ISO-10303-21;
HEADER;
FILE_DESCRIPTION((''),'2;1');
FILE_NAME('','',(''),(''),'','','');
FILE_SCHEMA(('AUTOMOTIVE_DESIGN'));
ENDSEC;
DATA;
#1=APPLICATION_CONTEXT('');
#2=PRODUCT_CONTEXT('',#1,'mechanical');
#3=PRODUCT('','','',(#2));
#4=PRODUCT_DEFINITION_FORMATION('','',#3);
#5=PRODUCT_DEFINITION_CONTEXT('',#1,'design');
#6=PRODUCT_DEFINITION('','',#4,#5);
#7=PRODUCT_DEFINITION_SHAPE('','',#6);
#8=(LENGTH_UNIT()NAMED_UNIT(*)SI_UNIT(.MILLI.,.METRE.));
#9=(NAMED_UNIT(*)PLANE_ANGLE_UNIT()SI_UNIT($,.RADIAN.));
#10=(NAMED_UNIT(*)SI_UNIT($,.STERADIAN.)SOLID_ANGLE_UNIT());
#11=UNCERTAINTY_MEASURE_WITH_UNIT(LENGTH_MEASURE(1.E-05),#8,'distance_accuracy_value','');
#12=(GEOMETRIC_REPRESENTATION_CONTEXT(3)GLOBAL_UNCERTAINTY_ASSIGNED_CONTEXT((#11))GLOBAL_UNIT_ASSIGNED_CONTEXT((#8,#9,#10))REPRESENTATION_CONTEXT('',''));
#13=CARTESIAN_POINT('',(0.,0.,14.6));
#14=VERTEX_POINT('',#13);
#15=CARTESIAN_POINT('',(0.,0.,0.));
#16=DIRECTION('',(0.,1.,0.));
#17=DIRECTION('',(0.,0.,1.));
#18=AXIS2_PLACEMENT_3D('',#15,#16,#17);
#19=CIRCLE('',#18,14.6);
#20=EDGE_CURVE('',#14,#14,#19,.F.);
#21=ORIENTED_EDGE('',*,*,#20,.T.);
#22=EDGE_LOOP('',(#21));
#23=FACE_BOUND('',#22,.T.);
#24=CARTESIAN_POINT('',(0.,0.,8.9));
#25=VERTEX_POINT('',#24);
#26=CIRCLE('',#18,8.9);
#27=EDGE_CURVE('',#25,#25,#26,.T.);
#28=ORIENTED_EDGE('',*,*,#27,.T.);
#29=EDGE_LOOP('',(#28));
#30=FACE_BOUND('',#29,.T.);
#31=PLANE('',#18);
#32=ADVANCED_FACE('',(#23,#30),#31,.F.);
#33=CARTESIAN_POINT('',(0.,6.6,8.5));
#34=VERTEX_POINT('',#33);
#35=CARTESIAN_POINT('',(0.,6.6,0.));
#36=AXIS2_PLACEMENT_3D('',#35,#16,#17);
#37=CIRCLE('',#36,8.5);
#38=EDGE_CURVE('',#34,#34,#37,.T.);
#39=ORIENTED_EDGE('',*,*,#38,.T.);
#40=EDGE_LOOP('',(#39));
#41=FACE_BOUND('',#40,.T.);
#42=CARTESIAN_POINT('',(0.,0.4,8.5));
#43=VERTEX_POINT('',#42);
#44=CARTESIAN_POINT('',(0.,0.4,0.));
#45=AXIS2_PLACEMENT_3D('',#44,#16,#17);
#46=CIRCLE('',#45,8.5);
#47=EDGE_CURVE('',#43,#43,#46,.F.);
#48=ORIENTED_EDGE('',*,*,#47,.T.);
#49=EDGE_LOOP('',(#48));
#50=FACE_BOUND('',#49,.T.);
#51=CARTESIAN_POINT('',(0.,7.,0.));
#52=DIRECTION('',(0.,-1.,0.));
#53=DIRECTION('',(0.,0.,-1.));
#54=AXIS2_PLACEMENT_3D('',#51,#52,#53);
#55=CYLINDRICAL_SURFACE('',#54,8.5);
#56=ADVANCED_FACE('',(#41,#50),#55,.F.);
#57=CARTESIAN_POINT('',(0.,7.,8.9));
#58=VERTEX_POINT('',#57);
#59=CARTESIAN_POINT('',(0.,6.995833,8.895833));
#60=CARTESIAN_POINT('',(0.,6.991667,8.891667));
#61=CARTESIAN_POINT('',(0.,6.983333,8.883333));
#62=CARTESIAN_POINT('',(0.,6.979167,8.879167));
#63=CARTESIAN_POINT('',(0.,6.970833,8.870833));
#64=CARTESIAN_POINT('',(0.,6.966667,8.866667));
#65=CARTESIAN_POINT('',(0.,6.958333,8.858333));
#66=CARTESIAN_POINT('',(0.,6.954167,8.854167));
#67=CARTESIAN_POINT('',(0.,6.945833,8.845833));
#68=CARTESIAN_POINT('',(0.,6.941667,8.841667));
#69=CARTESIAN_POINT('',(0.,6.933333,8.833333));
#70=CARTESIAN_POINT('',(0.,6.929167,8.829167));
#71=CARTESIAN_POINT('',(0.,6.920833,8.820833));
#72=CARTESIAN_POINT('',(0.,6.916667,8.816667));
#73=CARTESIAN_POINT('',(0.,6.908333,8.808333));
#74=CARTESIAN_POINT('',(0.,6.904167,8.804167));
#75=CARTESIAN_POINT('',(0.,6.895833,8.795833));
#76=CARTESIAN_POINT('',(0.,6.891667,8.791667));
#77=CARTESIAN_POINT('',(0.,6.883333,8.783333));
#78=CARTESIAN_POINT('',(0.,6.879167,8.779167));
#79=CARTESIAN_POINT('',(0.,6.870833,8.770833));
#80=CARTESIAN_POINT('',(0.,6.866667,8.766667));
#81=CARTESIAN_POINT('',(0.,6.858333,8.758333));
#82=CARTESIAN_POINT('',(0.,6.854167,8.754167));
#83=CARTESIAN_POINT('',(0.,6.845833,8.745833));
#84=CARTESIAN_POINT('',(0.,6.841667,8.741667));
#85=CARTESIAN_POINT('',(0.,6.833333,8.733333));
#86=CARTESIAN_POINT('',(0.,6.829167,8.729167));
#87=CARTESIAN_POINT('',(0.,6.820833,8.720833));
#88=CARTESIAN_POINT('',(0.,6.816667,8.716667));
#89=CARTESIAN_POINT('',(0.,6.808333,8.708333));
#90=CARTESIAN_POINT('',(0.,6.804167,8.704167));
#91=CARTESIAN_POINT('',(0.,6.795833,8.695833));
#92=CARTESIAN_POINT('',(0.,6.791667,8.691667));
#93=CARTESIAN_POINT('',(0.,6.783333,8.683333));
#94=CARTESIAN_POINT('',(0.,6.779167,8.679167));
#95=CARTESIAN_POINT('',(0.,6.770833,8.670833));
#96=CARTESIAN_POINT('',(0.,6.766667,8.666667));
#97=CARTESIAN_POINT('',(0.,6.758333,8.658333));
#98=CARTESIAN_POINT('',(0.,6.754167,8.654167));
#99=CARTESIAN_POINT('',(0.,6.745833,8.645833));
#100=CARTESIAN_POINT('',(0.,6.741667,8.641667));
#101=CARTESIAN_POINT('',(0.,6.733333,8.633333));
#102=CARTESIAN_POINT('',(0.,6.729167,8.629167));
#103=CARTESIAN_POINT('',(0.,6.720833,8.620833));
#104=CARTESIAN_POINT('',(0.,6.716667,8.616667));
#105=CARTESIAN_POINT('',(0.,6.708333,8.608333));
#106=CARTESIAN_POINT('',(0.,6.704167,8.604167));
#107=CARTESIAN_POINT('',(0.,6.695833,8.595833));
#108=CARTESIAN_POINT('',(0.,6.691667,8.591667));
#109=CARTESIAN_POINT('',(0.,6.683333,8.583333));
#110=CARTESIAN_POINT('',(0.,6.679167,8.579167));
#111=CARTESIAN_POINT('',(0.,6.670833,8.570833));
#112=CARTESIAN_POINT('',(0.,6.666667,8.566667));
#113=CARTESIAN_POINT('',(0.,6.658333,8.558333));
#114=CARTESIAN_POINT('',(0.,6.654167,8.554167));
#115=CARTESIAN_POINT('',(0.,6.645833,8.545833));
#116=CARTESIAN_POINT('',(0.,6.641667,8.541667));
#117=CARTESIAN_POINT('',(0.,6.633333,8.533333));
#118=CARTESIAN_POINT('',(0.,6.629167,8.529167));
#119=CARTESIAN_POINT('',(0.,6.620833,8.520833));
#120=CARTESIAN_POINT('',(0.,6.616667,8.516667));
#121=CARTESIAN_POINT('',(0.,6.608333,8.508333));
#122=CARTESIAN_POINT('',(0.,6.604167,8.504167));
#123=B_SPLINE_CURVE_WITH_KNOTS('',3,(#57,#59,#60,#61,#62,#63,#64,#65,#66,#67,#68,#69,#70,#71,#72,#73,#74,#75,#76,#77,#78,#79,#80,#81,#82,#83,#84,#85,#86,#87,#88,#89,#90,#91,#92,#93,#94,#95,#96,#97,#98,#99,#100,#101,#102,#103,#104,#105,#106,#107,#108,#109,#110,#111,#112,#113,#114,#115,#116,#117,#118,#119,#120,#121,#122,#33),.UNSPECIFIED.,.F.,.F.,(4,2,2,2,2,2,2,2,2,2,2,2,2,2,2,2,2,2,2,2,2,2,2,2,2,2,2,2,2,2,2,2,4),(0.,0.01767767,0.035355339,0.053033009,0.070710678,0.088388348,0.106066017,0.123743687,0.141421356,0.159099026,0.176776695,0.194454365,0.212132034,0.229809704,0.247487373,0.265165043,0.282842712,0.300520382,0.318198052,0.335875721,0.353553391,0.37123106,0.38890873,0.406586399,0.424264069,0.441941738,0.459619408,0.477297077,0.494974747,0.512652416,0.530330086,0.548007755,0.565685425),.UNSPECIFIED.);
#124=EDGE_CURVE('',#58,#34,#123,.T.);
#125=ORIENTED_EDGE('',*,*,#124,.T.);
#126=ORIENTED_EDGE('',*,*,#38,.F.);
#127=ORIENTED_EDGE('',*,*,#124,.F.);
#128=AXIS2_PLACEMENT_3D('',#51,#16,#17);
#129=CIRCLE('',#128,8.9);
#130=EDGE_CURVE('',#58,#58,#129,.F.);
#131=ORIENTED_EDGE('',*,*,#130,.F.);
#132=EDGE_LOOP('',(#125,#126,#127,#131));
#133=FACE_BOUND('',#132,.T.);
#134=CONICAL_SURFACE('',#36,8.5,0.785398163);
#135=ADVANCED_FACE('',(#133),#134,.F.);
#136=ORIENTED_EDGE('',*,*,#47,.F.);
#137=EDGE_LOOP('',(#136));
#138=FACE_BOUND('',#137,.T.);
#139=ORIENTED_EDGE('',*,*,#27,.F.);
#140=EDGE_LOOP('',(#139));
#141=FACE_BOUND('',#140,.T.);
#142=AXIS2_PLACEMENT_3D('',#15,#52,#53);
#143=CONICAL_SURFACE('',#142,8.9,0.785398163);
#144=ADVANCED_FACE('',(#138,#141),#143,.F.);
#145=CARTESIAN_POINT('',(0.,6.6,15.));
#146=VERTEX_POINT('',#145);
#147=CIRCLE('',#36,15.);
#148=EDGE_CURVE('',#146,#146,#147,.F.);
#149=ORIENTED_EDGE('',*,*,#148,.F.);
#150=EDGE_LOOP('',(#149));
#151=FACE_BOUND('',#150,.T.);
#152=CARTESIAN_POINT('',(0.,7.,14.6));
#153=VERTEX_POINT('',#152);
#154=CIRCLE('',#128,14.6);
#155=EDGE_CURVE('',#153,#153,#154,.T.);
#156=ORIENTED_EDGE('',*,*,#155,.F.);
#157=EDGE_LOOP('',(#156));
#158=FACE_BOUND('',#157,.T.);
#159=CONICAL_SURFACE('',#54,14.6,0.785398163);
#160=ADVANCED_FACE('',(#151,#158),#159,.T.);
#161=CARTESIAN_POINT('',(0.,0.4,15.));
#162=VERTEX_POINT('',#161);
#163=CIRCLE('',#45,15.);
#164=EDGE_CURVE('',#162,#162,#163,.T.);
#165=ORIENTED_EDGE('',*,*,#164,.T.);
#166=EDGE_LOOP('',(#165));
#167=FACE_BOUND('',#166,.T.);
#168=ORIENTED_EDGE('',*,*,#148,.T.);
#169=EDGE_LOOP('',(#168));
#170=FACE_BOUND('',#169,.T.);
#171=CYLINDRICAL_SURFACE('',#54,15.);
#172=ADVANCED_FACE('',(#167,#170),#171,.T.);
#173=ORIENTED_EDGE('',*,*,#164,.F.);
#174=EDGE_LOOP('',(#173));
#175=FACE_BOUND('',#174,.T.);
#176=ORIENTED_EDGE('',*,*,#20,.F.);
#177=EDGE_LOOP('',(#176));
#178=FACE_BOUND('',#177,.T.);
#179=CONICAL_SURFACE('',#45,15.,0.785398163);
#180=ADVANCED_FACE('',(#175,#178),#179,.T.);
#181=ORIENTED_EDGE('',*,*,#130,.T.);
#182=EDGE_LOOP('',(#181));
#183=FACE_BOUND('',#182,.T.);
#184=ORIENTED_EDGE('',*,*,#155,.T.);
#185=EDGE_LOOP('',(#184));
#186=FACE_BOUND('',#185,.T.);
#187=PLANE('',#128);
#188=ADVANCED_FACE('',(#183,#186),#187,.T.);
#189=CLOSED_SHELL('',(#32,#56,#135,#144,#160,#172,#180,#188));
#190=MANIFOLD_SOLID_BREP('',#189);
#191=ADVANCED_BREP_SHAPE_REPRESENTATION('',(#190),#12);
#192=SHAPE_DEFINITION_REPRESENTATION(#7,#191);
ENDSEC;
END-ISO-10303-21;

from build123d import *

# Parameters (mm, degrees)
SKETCH1_R           = 15
SKETCH1_R_2         = 8.5
BOSS_EXTRUDE1_DEPTH = 7
CHAMFER1_SIZE       = 0.4


with BuildPart() as part:
    # Sketch1 → Boss-Extrude1 (new body)
    with BuildSketch(Plane(origin=(0, 0, 0), x_dir=(1, 0, 0), z_dir=(0, 1, 0))):
        with Locations(Location((0, 0, 0), (0, 0, 270))):
            Circle(SKETCH1_R)
        with Locations(Location((0, 0, 0), (0, 0, 270))):
            Circle(SKETCH1_R_2, mode=Mode.SUBTRACT)
    extrude(amount=BOSS_EXTRUDE1_DEPTH)

    # Chamfer1
    chamfer1_edges = [part.edges().sort_by_distance(p)[0] for p in [
        (0, 0, -15),
        (0, 7, -15),
        (0, 0, -8.5),
        (0, 7, -8.5),
    ]]
    chamfer(chamfer1_edges, length=CHAMFER1_SIZE)


solid = part.part
